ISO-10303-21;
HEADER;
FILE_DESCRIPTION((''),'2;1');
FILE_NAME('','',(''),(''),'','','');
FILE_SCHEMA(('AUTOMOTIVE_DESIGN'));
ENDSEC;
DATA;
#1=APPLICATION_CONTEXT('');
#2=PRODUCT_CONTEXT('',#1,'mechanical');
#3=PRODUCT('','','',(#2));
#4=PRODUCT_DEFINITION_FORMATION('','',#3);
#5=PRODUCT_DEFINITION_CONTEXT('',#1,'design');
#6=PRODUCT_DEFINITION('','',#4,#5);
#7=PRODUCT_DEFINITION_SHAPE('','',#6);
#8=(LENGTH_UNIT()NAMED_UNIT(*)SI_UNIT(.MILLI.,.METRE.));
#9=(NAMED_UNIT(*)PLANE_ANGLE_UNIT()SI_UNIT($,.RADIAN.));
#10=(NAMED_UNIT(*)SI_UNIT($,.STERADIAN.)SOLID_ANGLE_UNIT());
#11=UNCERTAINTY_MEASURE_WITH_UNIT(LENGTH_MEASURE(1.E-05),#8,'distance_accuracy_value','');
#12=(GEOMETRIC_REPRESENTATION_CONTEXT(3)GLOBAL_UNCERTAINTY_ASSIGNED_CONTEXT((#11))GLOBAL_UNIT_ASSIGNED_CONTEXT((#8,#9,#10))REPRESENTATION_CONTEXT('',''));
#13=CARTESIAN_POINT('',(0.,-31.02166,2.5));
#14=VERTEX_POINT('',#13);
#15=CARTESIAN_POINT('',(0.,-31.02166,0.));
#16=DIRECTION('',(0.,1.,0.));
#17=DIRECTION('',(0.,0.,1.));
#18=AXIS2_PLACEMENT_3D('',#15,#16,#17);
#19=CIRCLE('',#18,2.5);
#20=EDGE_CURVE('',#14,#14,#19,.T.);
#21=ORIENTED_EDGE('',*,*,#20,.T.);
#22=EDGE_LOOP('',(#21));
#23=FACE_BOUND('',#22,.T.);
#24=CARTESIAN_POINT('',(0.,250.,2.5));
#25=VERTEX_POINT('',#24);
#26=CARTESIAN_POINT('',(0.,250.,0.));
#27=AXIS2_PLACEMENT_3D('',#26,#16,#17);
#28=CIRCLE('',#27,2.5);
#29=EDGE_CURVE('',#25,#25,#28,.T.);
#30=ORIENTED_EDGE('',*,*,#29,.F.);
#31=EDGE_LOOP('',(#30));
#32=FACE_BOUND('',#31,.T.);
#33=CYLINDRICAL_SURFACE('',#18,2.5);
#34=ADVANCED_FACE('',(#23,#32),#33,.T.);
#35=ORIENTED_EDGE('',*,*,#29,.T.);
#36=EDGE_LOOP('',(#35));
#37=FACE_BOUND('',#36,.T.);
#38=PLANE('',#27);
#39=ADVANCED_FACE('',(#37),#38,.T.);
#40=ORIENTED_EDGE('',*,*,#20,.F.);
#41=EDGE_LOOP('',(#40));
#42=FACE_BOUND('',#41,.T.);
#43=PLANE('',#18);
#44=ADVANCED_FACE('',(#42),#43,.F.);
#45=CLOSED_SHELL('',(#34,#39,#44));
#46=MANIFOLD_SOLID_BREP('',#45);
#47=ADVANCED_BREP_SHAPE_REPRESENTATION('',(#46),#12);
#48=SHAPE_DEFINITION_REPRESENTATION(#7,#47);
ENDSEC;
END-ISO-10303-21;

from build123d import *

# Parameters (mm, degrees)
BOSS_EXTRUDE1_DEPTH      = 250
BOSS_EXTRUDE1_DEPTH_BACK = 31.0216604
SKETCH1_R                = 2.5


with BuildPart() as part:
    # Sketch1 → Boss-Extrude1 (new, two sides: drawn at the far end of the back side and taken through both)
    with BuildSketch(Plane(origin=(0, 0, 0), x_dir=(1, 0, 0), z_dir=(0, 1, 0)).offset(-BOSS_EXTRUDE1_DEPTH_BACK)):
        with Locations(Location((0, 0, 0), (0, 0, 270))):
            Circle(SKETCH1_R)
    extrude(amount=BOSS_EXTRUDE1_DEPTH + BOSS_EXTRUDE1_DEPTH_BACK)


solid = part.part
